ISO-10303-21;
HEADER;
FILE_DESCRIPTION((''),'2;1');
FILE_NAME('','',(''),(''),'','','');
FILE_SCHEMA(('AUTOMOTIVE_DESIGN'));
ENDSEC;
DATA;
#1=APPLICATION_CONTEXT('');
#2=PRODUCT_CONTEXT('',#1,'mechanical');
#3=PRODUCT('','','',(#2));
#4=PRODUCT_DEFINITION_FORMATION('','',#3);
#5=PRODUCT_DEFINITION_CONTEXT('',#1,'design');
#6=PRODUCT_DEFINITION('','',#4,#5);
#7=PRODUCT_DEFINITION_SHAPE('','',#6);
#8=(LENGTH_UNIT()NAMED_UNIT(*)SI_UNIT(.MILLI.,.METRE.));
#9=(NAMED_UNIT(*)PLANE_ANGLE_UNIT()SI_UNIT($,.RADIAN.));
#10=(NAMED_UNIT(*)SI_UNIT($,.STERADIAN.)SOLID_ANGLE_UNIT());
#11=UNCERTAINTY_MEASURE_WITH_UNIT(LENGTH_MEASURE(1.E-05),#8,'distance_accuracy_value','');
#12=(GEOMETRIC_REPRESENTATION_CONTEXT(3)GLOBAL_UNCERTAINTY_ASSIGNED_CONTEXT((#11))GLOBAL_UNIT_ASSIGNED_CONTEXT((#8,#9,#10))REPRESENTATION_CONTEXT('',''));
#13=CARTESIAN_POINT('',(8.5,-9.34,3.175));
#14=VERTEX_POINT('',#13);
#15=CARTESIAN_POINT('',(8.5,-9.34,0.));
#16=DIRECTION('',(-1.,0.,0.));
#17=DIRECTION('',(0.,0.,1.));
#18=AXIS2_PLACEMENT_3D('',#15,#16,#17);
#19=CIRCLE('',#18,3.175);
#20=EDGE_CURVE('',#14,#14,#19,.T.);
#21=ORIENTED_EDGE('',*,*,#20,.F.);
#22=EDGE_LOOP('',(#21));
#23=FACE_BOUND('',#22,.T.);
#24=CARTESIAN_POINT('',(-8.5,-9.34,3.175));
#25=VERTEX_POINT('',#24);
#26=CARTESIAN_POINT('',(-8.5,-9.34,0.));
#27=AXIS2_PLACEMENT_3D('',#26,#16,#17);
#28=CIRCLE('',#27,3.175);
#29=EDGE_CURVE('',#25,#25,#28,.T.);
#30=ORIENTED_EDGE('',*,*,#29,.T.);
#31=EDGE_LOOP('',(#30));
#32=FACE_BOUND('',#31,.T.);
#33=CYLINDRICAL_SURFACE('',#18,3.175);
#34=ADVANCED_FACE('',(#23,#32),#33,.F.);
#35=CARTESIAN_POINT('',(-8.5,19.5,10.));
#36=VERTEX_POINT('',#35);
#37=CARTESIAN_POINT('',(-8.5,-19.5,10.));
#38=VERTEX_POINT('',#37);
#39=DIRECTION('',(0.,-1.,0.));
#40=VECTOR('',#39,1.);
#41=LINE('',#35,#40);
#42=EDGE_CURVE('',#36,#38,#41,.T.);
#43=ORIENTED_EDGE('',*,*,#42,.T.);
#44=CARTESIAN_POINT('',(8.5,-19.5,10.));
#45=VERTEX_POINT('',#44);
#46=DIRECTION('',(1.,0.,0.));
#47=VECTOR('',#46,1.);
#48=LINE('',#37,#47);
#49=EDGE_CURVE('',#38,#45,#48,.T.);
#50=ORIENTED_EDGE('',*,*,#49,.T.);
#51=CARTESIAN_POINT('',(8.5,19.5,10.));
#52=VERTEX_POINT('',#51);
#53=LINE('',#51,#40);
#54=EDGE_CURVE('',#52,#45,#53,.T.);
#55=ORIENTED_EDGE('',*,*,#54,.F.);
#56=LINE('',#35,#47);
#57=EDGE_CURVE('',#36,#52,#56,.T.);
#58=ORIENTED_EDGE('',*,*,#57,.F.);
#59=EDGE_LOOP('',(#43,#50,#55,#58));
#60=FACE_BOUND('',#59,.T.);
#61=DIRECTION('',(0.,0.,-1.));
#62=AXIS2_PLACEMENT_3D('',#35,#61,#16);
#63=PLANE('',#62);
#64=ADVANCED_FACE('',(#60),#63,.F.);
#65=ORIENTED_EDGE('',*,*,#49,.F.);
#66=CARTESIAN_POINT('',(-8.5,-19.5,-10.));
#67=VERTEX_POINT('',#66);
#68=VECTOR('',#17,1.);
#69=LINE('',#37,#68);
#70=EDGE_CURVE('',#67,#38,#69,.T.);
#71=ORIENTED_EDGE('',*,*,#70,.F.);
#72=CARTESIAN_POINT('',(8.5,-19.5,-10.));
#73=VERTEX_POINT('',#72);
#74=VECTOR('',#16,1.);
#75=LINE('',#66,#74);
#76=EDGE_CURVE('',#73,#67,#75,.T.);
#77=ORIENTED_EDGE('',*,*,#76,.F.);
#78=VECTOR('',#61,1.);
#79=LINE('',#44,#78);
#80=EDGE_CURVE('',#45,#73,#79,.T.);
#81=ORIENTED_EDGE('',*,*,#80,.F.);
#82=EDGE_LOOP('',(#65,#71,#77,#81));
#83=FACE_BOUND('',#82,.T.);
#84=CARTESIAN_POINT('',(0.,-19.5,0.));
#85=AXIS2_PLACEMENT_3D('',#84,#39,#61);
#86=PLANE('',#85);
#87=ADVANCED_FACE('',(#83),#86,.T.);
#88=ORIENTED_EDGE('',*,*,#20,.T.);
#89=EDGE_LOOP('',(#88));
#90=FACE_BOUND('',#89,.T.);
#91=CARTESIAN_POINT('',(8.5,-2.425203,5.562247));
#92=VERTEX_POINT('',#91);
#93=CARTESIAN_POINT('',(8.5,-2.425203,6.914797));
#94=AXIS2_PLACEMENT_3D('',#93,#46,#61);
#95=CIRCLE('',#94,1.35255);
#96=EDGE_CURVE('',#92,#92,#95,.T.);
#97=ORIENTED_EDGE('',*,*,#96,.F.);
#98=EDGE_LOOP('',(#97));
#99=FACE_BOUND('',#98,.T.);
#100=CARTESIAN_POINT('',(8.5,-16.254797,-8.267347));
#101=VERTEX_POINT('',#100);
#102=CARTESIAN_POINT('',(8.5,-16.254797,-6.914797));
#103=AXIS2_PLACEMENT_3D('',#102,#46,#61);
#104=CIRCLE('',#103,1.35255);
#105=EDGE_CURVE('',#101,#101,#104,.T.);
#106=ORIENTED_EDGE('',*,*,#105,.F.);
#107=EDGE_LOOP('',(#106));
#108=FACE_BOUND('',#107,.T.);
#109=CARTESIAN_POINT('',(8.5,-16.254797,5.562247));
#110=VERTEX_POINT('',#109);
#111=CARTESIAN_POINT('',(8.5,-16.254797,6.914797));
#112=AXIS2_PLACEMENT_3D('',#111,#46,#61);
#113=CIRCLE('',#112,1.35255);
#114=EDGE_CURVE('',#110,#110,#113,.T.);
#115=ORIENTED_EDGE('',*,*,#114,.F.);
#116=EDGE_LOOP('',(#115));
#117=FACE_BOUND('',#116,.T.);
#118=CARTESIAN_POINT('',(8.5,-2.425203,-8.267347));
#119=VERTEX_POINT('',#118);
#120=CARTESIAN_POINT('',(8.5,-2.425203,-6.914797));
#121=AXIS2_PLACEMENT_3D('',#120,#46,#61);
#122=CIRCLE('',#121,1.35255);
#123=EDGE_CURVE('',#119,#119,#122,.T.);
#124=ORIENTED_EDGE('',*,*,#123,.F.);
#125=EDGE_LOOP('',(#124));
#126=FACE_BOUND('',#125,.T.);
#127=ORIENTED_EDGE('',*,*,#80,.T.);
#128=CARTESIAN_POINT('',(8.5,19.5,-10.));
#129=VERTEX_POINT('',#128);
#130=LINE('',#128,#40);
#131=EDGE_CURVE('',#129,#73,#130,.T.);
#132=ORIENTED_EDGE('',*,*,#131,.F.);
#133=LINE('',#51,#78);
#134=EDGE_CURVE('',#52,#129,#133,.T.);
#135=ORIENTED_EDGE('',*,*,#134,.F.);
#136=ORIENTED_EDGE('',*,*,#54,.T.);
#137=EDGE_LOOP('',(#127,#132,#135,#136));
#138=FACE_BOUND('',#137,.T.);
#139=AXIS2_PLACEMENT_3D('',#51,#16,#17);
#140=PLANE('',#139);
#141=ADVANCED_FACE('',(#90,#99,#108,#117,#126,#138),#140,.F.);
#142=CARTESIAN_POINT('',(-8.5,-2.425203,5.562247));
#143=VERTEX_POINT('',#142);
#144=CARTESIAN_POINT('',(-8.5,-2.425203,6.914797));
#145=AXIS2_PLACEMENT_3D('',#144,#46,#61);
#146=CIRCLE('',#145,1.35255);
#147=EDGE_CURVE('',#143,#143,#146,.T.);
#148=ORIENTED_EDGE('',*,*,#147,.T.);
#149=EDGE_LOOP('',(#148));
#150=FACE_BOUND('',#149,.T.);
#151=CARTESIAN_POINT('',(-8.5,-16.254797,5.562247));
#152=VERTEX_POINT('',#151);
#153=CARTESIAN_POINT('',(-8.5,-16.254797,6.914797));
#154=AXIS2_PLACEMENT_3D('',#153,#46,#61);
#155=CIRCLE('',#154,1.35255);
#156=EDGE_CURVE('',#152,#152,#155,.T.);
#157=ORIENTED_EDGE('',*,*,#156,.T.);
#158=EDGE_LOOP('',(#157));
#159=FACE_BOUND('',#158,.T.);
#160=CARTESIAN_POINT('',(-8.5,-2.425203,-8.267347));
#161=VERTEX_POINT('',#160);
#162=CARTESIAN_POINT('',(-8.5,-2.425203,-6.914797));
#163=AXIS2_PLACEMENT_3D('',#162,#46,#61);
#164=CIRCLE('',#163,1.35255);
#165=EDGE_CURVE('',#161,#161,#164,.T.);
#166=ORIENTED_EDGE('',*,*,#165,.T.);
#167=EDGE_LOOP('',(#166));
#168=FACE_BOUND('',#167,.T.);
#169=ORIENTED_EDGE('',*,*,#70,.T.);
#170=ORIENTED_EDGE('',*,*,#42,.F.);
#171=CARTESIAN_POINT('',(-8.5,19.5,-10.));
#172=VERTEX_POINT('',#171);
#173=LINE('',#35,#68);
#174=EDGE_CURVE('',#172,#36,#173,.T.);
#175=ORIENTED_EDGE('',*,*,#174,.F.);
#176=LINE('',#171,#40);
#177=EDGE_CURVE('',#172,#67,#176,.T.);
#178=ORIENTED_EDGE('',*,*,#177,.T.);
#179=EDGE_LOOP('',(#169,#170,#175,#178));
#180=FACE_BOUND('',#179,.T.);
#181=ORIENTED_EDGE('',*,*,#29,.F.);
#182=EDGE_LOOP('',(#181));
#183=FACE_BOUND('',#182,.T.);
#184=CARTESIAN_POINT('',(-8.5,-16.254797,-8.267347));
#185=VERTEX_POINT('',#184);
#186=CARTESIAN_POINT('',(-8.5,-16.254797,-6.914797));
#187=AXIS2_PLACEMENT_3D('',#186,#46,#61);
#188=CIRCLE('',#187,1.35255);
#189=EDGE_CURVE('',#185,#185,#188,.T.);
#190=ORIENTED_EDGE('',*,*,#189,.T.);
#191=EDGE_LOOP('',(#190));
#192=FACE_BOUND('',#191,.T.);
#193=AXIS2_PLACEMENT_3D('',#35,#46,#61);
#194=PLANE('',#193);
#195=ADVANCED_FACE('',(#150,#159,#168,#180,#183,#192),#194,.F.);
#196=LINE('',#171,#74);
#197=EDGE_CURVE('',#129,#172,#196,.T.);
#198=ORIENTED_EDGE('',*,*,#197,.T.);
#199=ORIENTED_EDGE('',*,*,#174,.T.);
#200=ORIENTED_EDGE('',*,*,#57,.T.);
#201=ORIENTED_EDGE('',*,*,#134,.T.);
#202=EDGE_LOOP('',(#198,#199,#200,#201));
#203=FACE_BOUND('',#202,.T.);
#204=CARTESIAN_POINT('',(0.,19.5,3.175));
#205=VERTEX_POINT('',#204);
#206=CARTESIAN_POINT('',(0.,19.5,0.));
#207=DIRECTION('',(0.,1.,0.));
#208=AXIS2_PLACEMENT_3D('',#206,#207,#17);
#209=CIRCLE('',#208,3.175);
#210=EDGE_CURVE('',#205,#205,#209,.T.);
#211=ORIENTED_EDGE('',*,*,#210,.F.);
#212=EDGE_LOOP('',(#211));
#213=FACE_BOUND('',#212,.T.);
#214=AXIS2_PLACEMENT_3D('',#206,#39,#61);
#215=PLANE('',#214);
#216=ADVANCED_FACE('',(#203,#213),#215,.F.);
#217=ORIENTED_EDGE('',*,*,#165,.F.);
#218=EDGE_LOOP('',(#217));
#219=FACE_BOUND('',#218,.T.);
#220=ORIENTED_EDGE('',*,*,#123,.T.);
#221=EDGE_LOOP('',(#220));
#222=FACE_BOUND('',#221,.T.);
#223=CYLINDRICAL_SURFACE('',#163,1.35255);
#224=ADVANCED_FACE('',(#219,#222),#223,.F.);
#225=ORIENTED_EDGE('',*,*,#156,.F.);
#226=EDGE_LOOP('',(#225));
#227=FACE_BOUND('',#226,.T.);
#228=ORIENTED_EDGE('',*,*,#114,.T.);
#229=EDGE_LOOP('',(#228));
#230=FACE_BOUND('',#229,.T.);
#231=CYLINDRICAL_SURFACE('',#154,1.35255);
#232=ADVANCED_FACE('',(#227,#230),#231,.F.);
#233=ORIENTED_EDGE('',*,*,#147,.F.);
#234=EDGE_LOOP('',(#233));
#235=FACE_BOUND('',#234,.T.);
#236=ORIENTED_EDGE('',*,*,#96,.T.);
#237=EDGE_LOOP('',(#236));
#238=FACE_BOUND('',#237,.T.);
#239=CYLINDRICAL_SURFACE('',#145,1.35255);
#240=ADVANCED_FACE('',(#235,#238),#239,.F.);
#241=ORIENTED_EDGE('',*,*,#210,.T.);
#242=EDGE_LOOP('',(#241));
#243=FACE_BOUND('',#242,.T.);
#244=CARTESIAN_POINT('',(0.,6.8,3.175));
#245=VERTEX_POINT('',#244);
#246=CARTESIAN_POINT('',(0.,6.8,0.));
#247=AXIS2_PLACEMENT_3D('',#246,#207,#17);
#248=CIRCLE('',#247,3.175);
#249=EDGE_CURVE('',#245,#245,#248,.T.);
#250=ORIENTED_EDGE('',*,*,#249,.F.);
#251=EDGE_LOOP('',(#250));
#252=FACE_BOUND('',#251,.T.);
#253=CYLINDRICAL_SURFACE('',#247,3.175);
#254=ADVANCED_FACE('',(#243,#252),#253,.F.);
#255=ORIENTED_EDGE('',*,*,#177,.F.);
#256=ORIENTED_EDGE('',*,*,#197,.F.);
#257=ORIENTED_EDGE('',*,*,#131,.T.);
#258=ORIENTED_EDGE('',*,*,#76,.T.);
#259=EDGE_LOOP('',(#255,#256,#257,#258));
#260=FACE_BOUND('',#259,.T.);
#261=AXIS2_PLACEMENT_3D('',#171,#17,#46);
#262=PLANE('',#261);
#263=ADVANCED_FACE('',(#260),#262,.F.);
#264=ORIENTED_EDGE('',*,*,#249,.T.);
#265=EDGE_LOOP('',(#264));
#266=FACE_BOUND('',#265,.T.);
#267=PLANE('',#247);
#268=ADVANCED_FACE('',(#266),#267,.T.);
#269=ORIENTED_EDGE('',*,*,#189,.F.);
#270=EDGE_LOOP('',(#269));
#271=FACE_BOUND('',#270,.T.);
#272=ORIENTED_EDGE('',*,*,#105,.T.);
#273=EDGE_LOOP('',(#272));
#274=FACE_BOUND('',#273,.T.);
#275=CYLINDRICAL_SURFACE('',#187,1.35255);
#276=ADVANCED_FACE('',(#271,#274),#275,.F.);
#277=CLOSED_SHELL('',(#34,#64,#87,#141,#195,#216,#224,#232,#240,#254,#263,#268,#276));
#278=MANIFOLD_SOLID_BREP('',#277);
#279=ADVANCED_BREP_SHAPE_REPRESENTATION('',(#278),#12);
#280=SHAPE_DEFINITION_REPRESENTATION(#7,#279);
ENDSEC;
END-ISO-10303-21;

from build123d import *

# Parameters (mm, degrees)
ESQUISSE1_W             = 17
ESQUISSE1_H             = 20
BOSS_EXTRU_1_DEPTH      = 19.5
ESQUISSE2_R             = 3.175
ENL_V_MAT_EXTRU_1_DEPTH = 18
ESQUISSE3_R             = 3.175
ENL_V_MAT_EXTRU_2_DEPTH = 12.7
ESQUISSE4_R             = 1.35255
ENL_V_MAT_EXTRU_3_DEPTH = 18


with BuildPart() as part:
    # Esquisse1 → Boss.-Extru.1 (new body, symmetric)
    with BuildSketch(Plane(origin=(0, 0, 0), x_dir=(1, 0, 0), z_dir=(0, 1, 0))):
        Rectangle(ESQUISSE1_W, ESQUISSE1_H)
    extrude(amount=BOSS_EXTRU_1_DEPTH, both=True)

    # Esquisse2 → Enlèv. mat.-Extru.1 (cut, through all)
    with BuildSketch(Plane.ZY.offset(8.5)):
        with Locations((0, -9.34)):
            Circle(ESQUISSE2_R)
    extrude(amount=-ENL_V_MAT_EXTRU_1_DEPTH, mode=Mode.SUBTRACT)

    # Esquisse3 → Enlèv. mat.-Extru.2 (cut)
    with BuildSketch(Plane(origin=(0, 19.5, 0), x_dir=(1, 0, 0), z_dir=(0, 1, 0))):
        Circle(ESQUISSE3_R)
    extrude(amount=-ENL_V_MAT_EXTRU_2_DEPTH, mode=Mode.SUBTRACT)

    # Esquisse4 → Enlèv. mat.-Extru.3 (cut, through all)
    with BuildSketch(Plane(origin=(8.5, 0, 0), x_dir=(0, 0, -1), z_dir=(1, 0, 0))):
        with Locations((-6.914797213, -2.425202787)):
            Circle(ESQUISSE4_R)
        with Locations((6.914797213, -2.425202787)):
            Circle(ESQUISSE4_R)
        with Locations((-6.914797213, -16.254797213)):
            Circle(ESQUISSE4_R)
        with Locations((6.914797213, -16.254797213)):
            Circle(ESQUISSE4_R)
    extrude(amount=-ENL_V_MAT_EXTRU_3_DEPTH, mode=Mode.SUBTRACT)


solid = part.part
